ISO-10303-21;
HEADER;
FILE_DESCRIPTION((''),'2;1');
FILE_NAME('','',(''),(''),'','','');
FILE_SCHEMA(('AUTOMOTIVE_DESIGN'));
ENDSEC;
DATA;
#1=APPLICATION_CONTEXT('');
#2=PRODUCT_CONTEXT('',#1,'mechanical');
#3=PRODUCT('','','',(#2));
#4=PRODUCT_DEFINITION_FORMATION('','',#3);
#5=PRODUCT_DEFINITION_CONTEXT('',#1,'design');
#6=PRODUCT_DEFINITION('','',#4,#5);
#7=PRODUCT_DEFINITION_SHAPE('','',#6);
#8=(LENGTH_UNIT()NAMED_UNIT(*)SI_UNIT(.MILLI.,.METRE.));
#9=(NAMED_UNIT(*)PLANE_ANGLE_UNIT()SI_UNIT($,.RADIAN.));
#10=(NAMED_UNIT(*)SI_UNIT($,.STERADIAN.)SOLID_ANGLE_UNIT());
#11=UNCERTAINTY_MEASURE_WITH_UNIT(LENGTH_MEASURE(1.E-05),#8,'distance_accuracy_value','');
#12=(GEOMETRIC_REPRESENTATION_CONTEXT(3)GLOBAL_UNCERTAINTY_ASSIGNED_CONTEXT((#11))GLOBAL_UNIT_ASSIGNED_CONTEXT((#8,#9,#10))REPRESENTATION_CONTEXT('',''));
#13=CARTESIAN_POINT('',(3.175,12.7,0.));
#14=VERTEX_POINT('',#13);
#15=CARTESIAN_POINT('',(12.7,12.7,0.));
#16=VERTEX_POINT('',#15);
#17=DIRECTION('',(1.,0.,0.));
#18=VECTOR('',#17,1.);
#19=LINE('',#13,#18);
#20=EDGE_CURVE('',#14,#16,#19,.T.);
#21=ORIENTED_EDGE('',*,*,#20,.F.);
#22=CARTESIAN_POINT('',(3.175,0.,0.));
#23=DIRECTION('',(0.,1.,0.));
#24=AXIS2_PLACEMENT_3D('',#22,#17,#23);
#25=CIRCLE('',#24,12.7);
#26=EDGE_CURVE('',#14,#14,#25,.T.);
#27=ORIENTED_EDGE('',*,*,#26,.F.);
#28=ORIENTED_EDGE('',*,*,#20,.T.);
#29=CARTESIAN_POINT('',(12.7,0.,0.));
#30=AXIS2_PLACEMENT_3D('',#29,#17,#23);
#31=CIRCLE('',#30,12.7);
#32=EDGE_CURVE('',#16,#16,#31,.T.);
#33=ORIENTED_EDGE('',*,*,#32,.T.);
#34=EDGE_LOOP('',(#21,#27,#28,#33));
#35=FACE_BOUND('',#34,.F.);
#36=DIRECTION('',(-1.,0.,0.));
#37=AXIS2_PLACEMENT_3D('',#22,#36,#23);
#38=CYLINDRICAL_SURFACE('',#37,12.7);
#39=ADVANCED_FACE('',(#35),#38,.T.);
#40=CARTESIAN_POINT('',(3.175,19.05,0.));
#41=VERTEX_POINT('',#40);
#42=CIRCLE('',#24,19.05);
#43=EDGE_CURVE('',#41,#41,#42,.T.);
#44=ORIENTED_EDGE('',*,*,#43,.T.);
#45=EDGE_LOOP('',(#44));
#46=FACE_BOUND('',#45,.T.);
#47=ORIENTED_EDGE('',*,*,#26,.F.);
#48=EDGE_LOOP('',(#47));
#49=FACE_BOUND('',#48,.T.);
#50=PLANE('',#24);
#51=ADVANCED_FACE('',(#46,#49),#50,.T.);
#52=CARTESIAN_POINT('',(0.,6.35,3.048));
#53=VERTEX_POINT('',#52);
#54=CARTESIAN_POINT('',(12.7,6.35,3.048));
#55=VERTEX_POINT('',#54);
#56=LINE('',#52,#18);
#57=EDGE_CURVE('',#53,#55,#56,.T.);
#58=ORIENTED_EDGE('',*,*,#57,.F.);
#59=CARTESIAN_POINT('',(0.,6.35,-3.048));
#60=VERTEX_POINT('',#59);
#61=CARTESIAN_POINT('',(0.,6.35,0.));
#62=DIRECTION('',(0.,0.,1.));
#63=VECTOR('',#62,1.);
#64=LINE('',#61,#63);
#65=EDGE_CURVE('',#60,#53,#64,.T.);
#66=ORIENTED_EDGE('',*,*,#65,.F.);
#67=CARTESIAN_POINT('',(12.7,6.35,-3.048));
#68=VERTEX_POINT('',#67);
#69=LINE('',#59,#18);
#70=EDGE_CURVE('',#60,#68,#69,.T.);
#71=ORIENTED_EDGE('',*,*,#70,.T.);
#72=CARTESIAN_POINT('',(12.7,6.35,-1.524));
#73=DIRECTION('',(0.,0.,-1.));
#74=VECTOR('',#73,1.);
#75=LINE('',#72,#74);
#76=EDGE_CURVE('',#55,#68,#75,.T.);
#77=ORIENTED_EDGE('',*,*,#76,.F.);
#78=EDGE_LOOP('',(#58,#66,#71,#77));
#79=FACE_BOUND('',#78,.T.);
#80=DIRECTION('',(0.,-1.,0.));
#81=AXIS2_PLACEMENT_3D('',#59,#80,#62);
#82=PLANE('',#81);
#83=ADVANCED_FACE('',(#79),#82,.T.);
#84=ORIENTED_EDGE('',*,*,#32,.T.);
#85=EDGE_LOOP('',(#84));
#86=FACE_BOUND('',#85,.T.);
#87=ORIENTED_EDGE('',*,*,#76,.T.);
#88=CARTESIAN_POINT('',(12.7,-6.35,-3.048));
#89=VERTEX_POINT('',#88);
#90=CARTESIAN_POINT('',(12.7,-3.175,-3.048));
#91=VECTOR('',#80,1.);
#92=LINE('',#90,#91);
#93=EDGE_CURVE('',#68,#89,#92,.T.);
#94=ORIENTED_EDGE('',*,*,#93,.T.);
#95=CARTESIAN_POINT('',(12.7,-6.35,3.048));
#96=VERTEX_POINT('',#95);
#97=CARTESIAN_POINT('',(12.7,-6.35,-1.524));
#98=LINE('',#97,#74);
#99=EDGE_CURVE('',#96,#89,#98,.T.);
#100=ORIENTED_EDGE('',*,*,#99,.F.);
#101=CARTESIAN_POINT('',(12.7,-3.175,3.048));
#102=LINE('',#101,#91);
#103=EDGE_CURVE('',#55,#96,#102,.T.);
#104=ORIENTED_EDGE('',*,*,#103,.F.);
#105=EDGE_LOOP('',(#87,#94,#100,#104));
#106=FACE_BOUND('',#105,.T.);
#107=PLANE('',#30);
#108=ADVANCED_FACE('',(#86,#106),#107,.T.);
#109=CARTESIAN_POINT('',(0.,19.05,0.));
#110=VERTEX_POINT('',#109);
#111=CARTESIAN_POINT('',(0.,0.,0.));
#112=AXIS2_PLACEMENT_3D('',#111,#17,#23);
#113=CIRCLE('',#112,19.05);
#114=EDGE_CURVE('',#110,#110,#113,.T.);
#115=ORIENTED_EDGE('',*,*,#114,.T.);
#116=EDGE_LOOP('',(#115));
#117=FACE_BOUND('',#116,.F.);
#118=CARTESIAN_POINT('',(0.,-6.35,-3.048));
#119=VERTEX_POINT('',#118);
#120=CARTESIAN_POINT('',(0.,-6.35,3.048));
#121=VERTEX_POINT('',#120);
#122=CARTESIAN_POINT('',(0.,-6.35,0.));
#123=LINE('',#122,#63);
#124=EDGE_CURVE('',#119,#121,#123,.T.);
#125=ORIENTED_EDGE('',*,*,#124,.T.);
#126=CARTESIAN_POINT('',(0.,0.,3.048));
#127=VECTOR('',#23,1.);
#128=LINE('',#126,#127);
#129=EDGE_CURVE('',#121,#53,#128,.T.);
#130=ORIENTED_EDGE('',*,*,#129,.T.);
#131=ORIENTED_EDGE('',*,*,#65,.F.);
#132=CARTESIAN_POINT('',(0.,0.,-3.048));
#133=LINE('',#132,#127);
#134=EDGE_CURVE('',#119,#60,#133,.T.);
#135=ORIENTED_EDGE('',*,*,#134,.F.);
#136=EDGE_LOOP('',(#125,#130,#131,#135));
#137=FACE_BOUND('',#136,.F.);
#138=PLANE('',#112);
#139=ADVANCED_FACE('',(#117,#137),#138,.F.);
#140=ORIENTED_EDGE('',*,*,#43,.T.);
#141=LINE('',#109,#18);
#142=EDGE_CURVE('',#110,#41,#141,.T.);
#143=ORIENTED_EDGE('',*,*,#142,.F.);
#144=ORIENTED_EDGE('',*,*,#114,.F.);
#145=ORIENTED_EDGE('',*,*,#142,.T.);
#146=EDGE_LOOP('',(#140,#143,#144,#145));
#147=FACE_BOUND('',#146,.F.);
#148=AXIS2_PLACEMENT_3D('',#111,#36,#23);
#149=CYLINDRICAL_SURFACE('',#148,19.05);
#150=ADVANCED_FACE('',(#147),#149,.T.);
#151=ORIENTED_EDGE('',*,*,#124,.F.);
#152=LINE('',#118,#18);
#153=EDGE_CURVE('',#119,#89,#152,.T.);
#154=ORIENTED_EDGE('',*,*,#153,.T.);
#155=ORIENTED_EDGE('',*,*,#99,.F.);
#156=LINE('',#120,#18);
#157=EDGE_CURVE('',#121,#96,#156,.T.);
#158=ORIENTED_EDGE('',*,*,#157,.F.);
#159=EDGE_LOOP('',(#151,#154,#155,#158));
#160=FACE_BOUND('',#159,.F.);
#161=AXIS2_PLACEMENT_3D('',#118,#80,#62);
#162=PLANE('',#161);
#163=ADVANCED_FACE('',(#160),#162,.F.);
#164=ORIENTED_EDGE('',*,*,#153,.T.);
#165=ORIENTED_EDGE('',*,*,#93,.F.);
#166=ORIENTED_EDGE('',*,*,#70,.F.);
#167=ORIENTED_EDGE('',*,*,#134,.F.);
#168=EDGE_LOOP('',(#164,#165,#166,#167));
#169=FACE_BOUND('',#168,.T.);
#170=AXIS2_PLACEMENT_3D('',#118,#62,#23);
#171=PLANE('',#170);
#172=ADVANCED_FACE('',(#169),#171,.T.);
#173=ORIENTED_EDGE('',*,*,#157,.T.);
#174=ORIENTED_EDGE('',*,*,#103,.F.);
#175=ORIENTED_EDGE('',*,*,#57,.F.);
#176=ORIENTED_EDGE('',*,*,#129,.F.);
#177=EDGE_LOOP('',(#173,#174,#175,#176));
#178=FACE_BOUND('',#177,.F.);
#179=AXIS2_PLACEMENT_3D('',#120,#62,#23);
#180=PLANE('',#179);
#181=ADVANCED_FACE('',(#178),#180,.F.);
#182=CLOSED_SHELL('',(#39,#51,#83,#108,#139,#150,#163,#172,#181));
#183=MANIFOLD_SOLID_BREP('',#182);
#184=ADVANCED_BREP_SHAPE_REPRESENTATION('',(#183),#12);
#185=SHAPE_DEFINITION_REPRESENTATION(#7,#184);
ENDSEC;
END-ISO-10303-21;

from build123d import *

# Parameters (mm, degrees)
F0_R     = 19.05
F1_DEPTH = 3.175
F2_R     = 12.7
F3_DEPTH = 9.525
F4_W     = 12.7
F4_H     = 6.096
F5_DEPTH = 12.701


with BuildPart() as f1:
    # F0 (on Right) → F1 (new body)
    with BuildSketch(Plane.YZ):
        Circle(F0_R)
    extrude(amount=F1_DEPTH)

    # F2 (on face) → F3 (join)
    with BuildSketch(Plane.YZ.offset(3.175)):
        Circle(F2_R)
    extrude(amount=F3_DEPTH)

    # F4 (on Right) → F5 (cut, through all)
    with BuildSketch(Plane.YZ):
        Rectangle(F4_W, F4_H)
    extrude(amount=F5_DEPTH, mode=Mode.SUBTRACT)


solid = f1.part
